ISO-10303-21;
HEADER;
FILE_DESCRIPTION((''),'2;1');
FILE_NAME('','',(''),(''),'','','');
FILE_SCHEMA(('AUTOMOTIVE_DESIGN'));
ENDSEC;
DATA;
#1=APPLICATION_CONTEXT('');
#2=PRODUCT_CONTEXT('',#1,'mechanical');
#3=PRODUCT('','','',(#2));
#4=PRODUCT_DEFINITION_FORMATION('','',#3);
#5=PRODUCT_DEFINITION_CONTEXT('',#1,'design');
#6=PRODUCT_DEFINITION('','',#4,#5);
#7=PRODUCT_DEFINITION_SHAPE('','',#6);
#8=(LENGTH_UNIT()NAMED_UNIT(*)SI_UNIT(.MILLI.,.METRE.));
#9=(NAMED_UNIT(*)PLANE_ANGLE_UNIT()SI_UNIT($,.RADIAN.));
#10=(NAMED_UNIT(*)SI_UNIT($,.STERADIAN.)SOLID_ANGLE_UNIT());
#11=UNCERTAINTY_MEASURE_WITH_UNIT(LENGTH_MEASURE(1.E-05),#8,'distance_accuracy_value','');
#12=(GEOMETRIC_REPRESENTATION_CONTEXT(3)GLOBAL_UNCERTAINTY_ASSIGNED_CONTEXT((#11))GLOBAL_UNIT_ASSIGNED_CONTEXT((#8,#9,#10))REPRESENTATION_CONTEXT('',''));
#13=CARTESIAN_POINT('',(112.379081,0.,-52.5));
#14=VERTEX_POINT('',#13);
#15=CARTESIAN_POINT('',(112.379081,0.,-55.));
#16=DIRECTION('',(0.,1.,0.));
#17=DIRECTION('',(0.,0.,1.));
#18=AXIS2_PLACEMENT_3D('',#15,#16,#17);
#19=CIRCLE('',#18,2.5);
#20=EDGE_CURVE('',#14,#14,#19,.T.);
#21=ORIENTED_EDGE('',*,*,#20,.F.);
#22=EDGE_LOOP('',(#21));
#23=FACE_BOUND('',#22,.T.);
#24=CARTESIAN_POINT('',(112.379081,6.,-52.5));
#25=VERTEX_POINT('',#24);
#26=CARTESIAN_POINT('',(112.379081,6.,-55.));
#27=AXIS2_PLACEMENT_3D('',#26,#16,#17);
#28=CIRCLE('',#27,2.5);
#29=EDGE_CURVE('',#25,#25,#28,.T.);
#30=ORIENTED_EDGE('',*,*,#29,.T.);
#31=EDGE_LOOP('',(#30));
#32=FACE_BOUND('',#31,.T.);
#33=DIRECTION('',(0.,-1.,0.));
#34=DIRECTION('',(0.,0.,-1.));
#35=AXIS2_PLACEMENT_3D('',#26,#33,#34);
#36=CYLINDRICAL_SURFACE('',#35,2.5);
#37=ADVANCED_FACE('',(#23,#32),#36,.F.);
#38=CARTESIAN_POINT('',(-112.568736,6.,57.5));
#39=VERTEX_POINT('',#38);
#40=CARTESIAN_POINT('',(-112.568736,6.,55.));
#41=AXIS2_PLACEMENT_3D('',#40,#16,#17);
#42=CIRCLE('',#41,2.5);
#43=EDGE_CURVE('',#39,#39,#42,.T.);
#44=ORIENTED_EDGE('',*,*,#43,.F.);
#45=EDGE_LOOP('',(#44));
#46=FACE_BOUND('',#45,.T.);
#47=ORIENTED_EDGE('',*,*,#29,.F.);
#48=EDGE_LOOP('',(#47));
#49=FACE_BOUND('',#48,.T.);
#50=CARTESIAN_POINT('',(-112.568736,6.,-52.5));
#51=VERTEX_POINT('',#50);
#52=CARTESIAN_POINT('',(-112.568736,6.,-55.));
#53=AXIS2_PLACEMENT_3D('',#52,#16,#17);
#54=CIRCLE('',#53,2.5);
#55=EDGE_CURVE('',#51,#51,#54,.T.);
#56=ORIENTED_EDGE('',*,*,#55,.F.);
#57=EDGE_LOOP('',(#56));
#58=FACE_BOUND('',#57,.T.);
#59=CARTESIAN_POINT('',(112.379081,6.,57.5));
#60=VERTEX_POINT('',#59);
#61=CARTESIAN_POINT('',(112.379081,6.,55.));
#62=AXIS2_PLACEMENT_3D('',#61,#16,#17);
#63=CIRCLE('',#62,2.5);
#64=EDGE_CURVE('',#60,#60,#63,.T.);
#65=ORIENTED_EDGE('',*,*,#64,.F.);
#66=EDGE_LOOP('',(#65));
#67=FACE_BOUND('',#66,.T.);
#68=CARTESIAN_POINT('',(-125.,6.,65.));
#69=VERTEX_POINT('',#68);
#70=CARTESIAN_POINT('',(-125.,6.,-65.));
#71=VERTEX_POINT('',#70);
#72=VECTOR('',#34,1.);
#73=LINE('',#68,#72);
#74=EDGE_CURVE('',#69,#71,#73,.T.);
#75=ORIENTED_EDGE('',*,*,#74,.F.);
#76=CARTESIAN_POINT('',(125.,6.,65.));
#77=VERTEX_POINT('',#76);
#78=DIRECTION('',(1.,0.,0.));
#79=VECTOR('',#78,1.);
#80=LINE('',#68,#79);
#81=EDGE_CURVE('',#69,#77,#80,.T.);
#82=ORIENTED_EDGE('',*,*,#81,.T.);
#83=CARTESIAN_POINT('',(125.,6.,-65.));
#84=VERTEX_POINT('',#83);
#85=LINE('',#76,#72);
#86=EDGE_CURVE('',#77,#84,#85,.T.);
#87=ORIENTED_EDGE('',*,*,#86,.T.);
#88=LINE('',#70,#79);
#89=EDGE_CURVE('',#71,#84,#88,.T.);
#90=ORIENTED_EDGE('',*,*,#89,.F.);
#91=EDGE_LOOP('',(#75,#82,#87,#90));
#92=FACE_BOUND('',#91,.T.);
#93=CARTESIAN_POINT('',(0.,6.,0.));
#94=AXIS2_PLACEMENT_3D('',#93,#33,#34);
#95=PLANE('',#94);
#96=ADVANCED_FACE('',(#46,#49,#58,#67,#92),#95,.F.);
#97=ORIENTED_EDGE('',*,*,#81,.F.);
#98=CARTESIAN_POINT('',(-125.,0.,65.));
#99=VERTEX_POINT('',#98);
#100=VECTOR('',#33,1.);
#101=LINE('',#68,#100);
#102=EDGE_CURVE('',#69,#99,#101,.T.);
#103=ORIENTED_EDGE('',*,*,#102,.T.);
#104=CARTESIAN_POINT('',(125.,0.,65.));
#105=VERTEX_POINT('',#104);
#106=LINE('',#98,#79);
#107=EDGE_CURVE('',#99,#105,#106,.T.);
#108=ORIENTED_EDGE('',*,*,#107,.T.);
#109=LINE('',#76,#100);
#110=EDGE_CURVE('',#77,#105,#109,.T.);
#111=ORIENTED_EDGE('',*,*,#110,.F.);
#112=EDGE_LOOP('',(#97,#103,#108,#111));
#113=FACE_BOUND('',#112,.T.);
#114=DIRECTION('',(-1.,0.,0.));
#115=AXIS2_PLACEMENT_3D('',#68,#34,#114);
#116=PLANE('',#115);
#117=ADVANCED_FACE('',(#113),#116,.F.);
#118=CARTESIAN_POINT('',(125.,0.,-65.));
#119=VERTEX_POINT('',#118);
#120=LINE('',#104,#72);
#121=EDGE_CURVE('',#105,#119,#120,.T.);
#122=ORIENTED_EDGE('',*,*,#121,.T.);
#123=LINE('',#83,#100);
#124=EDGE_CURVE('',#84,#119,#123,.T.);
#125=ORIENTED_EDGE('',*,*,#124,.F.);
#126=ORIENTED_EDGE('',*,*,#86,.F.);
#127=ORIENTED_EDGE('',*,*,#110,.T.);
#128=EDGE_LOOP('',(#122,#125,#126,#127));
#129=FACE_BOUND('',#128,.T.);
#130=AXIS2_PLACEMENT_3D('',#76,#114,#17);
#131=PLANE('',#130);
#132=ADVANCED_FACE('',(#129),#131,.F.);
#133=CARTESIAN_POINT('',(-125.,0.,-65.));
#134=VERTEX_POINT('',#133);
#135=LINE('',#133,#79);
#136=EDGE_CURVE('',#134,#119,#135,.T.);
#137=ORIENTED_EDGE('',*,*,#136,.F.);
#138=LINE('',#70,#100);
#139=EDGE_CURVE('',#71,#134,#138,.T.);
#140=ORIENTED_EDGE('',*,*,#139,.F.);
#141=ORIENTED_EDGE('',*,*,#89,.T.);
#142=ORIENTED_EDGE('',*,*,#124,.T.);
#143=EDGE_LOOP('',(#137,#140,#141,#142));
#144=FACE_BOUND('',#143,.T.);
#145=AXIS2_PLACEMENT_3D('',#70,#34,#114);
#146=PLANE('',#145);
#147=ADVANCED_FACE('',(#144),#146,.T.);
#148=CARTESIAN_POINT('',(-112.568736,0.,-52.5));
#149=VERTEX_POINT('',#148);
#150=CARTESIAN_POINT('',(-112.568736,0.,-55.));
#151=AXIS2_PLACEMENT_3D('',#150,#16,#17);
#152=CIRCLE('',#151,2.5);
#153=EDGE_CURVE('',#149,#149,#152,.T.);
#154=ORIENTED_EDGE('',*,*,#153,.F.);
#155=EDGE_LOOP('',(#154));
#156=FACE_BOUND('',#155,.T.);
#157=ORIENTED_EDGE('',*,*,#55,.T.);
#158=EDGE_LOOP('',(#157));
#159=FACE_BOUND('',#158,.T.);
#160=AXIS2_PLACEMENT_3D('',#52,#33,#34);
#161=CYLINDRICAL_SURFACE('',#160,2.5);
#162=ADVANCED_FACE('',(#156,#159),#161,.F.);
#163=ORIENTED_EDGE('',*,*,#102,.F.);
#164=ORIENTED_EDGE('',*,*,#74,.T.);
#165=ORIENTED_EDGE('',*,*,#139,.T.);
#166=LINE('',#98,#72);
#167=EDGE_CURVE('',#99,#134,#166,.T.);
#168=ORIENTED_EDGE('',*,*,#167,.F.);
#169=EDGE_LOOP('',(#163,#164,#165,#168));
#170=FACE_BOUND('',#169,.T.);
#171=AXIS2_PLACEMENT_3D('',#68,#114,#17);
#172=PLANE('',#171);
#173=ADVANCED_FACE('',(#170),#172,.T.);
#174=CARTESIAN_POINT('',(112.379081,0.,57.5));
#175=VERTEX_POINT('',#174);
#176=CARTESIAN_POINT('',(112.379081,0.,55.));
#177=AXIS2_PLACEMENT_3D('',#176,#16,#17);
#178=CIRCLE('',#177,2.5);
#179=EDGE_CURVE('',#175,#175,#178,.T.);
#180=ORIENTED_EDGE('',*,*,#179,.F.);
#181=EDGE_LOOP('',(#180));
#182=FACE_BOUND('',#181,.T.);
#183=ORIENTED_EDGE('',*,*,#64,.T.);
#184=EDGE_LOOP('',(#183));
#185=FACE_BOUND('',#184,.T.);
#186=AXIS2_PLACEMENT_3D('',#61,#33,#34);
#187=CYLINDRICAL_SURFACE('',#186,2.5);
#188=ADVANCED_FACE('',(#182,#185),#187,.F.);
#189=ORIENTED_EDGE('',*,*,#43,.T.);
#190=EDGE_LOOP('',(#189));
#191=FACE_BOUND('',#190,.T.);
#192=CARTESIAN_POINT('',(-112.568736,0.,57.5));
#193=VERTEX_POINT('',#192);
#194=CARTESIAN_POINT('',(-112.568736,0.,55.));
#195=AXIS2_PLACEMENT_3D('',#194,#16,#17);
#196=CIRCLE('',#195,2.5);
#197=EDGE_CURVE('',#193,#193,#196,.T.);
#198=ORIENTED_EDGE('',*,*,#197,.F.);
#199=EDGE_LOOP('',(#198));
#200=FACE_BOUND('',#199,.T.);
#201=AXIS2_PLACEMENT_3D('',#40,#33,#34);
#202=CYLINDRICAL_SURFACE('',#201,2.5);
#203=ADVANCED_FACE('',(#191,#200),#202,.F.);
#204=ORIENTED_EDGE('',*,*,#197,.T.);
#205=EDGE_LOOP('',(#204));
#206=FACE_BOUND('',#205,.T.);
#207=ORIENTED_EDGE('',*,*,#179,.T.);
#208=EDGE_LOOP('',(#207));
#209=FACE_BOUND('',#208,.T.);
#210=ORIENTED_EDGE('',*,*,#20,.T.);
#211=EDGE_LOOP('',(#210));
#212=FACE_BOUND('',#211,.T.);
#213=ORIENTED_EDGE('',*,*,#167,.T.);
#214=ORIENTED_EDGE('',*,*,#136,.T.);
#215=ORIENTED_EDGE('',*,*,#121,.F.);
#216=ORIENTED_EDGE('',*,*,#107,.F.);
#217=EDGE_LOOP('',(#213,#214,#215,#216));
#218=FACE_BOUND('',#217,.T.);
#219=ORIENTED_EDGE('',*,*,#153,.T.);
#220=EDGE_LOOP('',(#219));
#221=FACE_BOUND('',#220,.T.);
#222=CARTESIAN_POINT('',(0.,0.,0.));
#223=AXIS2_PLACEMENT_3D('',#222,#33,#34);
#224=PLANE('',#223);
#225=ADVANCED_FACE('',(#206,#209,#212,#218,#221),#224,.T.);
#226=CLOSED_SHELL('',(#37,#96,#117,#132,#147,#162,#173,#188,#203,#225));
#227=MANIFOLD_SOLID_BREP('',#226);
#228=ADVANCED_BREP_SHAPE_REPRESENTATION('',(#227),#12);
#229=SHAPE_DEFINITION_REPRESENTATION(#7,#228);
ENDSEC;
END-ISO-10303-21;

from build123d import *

# Parameters (mm, degrees)
SKETCH1_W           = 250
SKETCH1_H           = 130
BOSS_EXTRUDE1_DEPTH = 6
SKETCH1_4_R         = 2.5
CUT_EXTRUDE1_DEPTH  = 6


with BuildPart() as part:
    # Sketch1 → Boss-Extrude1 (new body)
    with BuildSketch(Plane(origin=(0, 0, 0), x_dir=(1, 0, 0), z_dir=(0, 1, 0))):
        Rectangle(SKETCH1_W, SKETCH1_H)
    extrude(amount=BOSS_EXTRUDE1_DEPTH)

    # Sketch1<4> → Cut-Extrude1 (cut)
    with BuildSketch(Plane(origin=(0, 0, 0), x_dir=(1, 0, 0), z_dir=(0, 1, 0))):
        with Locations((-112.568736162, 55)):
            Circle(SKETCH1_4_R)
        with Locations((112.379080965, 55)):
            Circle(SKETCH1_4_R)
        with Locations((112.379080965, -55)):
            Circle(SKETCH1_4_R)
        with Locations((-112.568736162, -55)):
            Circle(SKETCH1_4_R)
    extrude(amount=CUT_EXTRUDE1_DEPTH, mode=Mode.SUBTRACT)


solid = part.part
